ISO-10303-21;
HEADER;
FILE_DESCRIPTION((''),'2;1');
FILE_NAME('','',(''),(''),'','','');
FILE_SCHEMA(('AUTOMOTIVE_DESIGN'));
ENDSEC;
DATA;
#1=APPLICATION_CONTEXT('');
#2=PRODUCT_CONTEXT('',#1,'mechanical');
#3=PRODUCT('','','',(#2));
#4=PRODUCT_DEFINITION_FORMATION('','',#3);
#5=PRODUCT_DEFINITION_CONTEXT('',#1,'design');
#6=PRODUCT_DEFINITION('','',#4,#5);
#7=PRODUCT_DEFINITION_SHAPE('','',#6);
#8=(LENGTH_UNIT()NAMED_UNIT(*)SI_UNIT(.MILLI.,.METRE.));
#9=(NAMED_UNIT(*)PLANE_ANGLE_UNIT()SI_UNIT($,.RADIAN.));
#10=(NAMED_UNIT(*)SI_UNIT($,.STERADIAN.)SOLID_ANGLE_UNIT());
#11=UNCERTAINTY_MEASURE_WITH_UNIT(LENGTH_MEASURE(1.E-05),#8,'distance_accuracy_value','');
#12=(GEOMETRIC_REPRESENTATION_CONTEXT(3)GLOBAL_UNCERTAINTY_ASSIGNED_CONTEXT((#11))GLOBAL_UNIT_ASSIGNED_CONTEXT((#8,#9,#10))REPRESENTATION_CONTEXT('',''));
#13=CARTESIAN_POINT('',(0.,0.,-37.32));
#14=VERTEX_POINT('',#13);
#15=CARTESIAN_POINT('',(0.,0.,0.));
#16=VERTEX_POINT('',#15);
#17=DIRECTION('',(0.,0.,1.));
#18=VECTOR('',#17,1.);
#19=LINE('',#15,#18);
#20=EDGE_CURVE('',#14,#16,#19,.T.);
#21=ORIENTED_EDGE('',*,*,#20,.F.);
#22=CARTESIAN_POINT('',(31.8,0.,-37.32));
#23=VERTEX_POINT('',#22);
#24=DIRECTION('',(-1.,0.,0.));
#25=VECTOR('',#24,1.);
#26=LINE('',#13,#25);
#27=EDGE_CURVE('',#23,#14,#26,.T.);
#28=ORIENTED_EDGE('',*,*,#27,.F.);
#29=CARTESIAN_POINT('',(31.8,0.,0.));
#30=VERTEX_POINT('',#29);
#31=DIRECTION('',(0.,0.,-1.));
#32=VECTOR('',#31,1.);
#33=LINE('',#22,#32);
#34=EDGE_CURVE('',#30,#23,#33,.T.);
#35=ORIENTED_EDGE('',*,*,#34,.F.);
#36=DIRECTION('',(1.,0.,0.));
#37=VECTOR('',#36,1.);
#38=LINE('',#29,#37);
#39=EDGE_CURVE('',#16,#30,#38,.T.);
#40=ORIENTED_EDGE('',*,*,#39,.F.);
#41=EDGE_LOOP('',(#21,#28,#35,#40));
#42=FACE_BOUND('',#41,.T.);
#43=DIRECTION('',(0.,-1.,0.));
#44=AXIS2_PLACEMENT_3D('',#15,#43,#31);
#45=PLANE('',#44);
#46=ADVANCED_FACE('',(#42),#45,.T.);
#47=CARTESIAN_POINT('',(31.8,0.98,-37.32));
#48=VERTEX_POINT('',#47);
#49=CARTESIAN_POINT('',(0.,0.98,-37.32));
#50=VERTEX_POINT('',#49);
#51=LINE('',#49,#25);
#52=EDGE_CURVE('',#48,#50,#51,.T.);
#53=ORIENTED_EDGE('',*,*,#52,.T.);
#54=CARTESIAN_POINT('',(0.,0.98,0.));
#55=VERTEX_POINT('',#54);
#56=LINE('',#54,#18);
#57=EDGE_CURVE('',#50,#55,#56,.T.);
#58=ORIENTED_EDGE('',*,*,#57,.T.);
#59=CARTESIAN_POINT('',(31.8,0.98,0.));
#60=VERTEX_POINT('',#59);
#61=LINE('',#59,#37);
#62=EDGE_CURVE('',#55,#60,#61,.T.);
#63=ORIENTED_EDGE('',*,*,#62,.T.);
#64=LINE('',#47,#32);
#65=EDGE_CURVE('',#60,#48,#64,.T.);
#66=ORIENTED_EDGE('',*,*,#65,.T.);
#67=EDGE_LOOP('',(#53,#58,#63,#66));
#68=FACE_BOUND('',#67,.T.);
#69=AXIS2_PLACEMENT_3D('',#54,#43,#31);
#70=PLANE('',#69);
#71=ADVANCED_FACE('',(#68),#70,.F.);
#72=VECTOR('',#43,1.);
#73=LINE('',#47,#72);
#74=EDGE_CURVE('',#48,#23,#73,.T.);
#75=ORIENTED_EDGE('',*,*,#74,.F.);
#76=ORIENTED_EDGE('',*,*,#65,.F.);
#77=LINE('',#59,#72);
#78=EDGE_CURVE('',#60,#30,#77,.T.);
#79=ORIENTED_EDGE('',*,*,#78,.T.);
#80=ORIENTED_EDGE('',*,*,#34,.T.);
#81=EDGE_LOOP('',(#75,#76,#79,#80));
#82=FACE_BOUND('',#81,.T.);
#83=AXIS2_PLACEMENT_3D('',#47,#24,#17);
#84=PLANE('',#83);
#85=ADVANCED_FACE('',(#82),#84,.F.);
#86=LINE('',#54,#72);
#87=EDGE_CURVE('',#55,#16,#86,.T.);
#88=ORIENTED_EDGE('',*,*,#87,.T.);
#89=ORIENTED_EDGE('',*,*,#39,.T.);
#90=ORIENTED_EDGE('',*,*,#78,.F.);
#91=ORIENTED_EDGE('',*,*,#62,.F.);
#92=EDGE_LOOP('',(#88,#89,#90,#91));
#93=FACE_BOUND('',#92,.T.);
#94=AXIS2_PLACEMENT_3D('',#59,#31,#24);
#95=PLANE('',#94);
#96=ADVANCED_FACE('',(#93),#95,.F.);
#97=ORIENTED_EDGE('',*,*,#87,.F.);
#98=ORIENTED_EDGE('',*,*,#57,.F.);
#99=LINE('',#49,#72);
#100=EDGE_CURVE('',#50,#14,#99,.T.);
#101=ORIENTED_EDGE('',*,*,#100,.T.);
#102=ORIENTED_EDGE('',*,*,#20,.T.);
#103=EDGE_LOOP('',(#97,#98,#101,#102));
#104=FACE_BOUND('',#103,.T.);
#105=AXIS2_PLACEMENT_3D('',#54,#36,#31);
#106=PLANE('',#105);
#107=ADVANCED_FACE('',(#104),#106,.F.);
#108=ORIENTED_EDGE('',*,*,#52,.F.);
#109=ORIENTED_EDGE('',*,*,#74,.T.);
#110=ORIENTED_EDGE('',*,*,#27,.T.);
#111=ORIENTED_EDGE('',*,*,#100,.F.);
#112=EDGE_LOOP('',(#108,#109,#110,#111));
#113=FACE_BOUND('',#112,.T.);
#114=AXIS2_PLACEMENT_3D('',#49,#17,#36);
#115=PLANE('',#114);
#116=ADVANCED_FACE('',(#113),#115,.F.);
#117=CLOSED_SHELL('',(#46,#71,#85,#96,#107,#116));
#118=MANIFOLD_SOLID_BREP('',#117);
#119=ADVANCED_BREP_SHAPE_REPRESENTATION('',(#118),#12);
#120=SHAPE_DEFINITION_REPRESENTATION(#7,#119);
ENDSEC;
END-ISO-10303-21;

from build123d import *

# Parameters (mm, degrees)
SKETCH_1_W      = 31.8
SKETCH_1_H      = 37.32
EXTRUDE_1_DEPTH = 0.98


with BuildPart() as part:
    # 草图1 → 凸台-拉伸1 (new body)
    with BuildSketch(Plane(origin=(0, 0, 0), x_dir=(1, 0, 0), z_dir=(0, 1, 0))):
        with Locations((15.9, 18.66)):
            Rectangle(SKETCH_1_W, SKETCH_1_H)
    extrude(amount=EXTRUDE_1_DEPTH)


solid = part.part
